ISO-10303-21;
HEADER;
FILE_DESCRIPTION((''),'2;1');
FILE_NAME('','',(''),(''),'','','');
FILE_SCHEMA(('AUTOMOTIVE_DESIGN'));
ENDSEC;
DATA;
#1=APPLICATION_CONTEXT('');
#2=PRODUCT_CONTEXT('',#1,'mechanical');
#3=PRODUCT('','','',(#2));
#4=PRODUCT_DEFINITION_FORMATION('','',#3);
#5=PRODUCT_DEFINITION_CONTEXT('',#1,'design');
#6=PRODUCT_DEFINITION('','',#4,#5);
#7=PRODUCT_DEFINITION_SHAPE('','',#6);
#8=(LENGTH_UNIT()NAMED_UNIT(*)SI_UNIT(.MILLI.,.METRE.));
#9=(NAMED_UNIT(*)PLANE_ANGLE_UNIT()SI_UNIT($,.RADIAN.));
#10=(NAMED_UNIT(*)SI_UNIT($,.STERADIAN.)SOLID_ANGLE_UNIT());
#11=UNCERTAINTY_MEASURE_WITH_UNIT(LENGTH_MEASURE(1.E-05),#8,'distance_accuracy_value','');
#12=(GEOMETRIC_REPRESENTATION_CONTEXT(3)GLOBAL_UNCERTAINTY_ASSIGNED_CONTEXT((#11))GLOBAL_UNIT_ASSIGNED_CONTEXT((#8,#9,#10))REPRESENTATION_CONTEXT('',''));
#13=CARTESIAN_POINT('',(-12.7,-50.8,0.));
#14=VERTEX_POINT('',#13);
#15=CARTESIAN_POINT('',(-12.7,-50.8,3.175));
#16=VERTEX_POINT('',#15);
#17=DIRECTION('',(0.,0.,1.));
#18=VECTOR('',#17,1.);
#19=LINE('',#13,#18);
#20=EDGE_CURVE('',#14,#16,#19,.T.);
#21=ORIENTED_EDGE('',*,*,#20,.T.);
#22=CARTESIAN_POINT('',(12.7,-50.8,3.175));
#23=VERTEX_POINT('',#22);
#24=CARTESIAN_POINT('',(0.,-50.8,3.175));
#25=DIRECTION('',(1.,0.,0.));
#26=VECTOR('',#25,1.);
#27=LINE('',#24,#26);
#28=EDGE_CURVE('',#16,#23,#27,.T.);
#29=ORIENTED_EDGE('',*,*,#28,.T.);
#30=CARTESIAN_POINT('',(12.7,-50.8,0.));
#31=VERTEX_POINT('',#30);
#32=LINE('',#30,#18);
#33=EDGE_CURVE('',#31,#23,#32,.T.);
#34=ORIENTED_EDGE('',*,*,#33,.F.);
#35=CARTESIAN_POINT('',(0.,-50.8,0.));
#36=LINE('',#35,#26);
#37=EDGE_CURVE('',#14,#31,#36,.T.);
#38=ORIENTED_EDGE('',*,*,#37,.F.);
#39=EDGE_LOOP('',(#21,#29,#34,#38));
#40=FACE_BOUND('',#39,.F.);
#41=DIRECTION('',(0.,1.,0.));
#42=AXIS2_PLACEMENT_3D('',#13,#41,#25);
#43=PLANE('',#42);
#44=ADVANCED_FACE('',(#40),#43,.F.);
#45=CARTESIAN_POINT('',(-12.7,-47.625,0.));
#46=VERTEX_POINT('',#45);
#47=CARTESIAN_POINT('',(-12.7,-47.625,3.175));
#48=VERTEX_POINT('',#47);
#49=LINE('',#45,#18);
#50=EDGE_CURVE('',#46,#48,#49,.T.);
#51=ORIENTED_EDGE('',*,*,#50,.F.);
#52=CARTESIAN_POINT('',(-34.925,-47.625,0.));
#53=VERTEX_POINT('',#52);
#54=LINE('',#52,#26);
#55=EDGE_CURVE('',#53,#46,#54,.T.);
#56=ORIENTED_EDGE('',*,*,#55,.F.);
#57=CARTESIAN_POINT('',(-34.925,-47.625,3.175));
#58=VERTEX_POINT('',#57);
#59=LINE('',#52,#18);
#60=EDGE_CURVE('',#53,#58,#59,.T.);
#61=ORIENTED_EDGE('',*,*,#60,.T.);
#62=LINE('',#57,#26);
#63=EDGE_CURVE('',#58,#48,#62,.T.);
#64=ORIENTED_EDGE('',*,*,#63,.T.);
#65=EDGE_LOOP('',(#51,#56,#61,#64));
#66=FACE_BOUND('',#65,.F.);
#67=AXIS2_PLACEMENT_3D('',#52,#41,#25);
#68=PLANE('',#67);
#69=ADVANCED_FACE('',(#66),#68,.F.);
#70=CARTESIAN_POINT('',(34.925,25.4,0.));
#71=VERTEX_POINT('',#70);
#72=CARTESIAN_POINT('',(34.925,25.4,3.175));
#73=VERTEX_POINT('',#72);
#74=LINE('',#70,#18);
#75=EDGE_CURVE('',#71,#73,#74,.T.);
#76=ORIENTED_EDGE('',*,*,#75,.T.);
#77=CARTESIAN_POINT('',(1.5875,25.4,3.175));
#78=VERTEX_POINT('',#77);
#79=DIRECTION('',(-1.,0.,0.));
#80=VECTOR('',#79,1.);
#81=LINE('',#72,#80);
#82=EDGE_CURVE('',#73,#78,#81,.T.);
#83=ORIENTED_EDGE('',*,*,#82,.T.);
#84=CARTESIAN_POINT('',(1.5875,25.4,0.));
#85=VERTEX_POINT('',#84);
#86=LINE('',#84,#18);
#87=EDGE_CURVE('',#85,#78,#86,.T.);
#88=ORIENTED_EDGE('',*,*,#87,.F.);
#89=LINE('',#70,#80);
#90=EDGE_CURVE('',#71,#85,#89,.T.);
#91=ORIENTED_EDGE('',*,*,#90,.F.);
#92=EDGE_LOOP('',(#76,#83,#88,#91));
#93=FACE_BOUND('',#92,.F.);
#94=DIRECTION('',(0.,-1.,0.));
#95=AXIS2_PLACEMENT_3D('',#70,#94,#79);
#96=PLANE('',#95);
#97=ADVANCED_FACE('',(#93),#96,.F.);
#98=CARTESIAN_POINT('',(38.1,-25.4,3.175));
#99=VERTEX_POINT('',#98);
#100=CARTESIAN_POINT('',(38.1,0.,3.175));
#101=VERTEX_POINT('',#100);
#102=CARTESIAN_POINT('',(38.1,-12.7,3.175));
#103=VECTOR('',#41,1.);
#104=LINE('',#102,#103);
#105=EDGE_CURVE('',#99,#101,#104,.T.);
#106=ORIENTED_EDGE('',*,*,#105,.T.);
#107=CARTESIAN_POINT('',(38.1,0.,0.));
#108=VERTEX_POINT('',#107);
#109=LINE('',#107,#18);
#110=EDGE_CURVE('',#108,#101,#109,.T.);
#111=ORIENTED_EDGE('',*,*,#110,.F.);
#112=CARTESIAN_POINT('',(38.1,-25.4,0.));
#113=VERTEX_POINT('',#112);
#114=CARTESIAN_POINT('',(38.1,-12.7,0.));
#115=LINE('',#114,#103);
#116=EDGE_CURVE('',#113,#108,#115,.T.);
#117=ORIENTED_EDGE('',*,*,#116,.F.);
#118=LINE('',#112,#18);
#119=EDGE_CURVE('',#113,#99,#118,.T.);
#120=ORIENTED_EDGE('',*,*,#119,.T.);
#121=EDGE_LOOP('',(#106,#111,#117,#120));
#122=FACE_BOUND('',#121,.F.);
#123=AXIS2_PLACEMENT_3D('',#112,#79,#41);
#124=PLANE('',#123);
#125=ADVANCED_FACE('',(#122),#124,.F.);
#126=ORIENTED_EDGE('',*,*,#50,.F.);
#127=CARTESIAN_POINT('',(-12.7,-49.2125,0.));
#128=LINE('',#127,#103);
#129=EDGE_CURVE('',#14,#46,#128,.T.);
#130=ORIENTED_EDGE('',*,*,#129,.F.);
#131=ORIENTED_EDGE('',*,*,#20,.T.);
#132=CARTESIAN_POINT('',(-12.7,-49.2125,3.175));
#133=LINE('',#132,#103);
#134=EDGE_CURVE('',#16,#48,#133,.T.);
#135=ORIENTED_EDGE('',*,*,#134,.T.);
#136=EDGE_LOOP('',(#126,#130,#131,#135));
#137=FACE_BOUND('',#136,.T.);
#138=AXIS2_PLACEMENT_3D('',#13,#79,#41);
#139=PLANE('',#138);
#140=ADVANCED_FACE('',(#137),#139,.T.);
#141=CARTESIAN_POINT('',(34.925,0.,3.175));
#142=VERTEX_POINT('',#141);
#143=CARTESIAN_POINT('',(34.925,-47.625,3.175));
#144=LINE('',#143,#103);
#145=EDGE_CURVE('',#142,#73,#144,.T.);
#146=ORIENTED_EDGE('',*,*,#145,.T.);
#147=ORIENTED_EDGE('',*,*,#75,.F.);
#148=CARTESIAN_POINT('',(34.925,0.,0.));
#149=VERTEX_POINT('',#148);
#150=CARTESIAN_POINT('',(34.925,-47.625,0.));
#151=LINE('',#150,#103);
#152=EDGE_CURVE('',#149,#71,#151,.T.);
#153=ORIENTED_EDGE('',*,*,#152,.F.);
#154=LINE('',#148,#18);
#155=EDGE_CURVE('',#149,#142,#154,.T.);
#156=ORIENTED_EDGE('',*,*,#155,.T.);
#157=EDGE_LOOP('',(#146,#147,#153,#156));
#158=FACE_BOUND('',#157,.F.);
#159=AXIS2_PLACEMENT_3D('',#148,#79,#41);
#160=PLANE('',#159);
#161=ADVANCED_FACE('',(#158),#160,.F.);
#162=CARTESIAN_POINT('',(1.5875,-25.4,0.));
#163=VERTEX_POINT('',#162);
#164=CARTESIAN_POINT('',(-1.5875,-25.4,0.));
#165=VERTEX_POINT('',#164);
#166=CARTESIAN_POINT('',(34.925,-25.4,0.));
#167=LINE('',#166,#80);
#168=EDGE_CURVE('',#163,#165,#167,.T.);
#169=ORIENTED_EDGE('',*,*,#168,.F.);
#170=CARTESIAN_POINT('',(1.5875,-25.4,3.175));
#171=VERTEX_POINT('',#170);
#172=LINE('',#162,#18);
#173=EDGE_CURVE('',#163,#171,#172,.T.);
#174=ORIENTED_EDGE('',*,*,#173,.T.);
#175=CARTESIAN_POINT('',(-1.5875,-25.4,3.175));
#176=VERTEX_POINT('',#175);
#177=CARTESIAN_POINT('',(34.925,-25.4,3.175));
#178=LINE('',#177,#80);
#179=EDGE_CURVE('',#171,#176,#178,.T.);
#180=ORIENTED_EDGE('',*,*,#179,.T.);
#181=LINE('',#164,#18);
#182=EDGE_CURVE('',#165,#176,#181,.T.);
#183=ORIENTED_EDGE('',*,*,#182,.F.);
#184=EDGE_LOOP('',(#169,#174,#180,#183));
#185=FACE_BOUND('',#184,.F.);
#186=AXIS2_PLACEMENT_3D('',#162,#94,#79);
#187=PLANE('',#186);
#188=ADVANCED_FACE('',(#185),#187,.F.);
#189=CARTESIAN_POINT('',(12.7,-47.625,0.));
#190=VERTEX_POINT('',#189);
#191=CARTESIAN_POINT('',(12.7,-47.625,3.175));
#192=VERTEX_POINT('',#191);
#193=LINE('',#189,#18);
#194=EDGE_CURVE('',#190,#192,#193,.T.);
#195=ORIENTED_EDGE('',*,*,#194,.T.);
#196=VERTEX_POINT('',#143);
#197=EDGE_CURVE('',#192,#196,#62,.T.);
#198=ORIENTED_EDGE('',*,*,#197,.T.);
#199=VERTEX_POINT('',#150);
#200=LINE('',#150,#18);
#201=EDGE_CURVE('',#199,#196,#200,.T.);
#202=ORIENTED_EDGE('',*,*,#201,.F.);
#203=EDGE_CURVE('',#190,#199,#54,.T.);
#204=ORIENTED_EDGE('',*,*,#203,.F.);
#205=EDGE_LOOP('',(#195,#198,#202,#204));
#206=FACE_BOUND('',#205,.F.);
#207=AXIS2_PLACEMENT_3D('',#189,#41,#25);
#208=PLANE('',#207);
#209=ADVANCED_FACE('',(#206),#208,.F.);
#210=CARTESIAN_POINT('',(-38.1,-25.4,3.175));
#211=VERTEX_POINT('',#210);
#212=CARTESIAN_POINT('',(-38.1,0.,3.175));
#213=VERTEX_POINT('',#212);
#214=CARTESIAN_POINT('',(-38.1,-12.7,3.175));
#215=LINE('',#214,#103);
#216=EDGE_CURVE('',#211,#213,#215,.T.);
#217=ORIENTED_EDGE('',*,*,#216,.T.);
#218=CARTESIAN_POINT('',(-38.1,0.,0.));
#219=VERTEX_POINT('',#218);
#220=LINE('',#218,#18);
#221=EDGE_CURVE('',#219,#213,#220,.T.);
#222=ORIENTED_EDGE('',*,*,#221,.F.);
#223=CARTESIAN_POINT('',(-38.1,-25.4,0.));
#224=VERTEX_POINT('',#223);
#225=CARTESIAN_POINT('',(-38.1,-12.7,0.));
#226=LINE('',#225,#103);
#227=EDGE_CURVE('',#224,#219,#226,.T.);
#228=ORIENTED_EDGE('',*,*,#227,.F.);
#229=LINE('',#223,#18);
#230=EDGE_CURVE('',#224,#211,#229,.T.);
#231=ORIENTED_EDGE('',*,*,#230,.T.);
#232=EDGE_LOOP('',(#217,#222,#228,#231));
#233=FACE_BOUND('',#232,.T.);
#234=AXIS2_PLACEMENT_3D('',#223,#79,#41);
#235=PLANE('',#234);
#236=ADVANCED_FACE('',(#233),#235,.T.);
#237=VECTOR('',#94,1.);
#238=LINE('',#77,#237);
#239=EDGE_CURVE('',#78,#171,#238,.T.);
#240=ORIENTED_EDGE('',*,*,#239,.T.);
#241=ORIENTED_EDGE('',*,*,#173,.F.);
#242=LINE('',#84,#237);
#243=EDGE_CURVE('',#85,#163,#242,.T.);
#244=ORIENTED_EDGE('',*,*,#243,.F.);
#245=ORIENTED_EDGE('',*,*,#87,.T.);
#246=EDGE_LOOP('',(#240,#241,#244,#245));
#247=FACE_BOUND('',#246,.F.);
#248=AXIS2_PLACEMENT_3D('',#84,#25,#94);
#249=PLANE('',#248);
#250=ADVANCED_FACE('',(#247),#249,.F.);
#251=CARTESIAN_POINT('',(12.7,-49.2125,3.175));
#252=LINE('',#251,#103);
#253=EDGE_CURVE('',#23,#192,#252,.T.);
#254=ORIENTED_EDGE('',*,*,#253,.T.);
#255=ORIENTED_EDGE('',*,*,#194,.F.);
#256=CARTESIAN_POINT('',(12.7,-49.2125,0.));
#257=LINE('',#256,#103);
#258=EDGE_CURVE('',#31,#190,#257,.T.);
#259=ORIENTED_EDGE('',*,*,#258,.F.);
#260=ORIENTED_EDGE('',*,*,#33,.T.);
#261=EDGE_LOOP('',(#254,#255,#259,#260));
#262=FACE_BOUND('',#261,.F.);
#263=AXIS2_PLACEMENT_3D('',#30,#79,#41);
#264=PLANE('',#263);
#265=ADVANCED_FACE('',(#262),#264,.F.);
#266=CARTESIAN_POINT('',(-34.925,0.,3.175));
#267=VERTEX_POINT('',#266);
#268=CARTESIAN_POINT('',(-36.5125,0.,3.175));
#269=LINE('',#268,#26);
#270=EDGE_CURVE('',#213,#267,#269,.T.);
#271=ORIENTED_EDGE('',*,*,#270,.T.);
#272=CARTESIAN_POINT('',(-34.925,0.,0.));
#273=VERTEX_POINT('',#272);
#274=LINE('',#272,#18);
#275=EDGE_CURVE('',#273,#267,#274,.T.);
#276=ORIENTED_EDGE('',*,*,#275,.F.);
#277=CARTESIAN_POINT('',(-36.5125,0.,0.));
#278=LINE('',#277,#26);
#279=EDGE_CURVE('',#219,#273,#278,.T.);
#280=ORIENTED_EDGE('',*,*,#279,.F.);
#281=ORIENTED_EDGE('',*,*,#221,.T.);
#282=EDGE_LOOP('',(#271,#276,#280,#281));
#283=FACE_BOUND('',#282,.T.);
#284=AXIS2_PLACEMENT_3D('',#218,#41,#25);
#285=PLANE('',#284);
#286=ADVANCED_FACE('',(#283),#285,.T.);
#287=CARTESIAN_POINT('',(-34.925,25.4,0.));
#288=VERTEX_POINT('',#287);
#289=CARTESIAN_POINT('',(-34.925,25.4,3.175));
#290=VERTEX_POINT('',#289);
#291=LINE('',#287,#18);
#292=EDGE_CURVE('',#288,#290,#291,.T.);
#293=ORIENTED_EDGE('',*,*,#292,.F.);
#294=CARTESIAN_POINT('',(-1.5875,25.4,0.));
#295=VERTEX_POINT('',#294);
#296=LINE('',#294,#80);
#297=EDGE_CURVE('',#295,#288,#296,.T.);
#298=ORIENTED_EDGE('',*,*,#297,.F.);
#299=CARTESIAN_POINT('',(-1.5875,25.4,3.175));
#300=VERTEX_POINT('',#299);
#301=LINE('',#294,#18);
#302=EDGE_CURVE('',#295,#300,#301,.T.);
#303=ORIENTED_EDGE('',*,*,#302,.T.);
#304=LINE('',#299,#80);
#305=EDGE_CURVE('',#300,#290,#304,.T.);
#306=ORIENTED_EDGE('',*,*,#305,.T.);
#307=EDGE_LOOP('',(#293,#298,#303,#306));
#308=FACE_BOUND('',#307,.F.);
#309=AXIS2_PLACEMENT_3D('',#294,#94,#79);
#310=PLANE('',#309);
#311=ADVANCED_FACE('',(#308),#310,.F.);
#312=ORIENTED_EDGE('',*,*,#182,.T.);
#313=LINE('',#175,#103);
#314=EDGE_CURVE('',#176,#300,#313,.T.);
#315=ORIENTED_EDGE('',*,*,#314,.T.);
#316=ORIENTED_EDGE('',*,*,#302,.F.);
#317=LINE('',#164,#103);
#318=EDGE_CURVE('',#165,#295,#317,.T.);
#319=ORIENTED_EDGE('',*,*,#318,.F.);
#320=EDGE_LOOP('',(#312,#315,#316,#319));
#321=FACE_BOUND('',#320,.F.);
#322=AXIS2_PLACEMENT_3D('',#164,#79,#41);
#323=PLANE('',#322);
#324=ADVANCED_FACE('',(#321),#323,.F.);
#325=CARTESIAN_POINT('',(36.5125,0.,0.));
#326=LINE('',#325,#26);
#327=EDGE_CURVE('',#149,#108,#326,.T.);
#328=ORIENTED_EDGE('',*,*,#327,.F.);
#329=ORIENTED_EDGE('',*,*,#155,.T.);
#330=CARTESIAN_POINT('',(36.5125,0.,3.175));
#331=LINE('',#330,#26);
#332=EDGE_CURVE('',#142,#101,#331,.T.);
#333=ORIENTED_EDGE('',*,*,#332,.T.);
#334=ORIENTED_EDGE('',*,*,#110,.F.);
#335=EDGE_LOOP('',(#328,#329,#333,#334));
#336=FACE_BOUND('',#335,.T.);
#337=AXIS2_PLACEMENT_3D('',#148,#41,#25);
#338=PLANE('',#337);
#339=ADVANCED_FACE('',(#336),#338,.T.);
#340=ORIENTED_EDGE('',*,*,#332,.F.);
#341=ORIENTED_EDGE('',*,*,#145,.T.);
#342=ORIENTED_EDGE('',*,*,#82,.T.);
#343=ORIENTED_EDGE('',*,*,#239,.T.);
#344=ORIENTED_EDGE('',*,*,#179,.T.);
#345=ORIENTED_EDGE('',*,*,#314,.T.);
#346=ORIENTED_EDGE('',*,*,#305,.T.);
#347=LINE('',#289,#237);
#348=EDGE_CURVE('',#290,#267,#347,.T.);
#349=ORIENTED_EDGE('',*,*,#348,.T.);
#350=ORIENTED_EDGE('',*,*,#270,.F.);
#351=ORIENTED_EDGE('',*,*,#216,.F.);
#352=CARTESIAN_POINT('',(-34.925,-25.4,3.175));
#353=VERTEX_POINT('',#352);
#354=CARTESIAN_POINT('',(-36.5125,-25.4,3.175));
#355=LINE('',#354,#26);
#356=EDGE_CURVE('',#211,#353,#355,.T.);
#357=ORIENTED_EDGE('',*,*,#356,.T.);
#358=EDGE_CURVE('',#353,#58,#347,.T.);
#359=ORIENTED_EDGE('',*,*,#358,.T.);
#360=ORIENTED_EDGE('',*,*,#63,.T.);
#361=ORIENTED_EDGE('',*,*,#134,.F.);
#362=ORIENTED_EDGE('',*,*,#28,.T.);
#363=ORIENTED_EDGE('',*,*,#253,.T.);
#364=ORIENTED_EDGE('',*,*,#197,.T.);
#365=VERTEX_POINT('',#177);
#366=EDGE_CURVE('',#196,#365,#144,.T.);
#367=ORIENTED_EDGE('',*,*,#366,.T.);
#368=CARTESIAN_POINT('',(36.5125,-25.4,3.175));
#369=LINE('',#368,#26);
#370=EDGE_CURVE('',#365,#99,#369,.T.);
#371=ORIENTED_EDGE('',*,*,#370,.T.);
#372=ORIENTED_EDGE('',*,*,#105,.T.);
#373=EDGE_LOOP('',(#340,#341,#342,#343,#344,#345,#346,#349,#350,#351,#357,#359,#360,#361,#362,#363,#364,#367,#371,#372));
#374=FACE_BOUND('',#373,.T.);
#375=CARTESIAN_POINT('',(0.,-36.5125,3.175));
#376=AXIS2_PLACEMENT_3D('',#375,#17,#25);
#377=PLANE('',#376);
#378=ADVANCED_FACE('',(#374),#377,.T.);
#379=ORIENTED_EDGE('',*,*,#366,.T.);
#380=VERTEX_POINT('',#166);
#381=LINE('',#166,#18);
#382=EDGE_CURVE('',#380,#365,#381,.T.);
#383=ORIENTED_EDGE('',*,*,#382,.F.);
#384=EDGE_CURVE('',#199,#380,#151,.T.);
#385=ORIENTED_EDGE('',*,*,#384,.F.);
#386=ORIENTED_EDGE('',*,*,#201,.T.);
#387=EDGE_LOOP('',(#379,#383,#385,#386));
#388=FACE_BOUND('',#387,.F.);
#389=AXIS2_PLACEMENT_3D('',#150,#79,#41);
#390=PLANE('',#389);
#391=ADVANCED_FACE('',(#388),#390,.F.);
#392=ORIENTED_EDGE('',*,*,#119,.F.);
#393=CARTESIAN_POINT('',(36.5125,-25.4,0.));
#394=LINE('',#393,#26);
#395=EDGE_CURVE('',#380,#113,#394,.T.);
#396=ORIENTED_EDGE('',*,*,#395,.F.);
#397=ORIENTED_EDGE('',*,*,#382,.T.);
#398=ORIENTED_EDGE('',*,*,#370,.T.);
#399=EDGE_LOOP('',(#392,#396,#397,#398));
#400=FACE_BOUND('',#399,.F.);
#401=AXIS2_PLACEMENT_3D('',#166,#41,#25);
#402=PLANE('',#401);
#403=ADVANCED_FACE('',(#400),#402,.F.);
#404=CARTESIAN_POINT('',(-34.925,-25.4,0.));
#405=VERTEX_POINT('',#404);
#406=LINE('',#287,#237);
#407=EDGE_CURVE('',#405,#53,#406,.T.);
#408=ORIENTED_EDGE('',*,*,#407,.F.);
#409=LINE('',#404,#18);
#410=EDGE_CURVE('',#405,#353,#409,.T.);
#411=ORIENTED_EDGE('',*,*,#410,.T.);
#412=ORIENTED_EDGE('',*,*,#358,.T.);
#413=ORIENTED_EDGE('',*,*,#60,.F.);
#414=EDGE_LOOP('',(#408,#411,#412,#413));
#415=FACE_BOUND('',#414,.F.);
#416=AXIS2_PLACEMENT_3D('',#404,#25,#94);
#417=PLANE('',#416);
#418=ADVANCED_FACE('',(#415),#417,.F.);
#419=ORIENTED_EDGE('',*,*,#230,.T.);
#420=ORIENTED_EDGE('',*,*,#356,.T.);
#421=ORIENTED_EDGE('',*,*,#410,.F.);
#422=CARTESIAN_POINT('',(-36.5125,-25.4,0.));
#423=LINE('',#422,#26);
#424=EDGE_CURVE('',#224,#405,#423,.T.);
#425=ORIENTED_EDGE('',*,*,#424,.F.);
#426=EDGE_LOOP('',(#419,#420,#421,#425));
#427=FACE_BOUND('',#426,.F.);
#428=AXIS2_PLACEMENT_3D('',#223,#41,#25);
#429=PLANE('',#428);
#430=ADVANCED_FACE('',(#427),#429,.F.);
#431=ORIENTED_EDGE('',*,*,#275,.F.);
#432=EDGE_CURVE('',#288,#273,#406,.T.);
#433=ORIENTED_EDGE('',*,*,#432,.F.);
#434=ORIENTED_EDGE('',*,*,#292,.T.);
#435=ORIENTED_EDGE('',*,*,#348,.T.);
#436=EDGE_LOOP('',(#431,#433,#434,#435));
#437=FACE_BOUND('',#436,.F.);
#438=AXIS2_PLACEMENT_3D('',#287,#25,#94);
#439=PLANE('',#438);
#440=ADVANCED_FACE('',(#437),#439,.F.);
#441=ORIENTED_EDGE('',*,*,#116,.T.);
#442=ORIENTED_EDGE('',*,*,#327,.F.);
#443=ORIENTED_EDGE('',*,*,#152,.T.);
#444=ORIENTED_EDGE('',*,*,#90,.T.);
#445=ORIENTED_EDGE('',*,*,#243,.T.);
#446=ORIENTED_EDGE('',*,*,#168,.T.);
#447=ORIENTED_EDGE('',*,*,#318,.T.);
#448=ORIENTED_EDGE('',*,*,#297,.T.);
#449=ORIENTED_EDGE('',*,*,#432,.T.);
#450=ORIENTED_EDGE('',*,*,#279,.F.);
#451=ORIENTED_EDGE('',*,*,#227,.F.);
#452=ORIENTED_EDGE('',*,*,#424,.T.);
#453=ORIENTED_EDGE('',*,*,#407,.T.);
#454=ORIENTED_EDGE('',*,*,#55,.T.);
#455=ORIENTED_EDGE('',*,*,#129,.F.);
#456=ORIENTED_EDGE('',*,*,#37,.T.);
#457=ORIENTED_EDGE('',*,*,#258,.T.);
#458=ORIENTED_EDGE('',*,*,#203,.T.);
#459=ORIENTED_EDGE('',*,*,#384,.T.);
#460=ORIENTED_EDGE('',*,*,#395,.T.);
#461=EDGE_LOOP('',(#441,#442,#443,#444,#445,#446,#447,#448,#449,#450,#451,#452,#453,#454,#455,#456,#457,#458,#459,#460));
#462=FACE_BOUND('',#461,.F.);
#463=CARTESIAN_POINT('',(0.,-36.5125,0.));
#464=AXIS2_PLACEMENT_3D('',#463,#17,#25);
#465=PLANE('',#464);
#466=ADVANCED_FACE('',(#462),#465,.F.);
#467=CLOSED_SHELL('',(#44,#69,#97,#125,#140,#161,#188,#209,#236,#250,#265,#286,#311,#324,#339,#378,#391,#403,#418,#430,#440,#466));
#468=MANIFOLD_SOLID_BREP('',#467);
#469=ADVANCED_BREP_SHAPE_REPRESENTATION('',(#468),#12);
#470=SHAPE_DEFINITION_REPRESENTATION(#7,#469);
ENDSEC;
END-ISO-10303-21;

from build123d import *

# Parameters (mm, degrees)
F0_W     = 3.175
F0_H     = 25.4
F0_W_2   = 25.4
F0_H_2   = 3.175
F1_DEPTH = 3.175


with BuildPart() as f1:
    # F0 (on Top) → F1 (new body)
    with BuildSketch(Plane.XY):
        Polygon((34.925, -47.625), (34.925, -25.4), (1.5875, -25.4), (-1.5875, -25.4), (-34.925, -25.4), (-34.925, -47.625), (-12.7, -47.625), (12.7, -47.625), align=None)
        Polygon((1.5875, -25.4), (34.925, -25.4), (34.925, 0), (34.925, 25.4), (1.5875, 25.4), align=None)
        with Locations((36.5125, -12.7)):
            Rectangle(F0_W, F0_H)
        Polygon((-34.925, -25.4), (-1.5875, -25.4), (-1.5875, 25.4), (-34.925, 25.4), (-34.925, 0), align=None)
        with Locations((0, -49.2125)):
            Rectangle(F0_W_2, F0_H_2)
        with Locations((-36.5125, -12.7)):
            Rectangle(F0_W, F0_H)
    extrude(amount=F1_DEPTH)


solid = f1.part
